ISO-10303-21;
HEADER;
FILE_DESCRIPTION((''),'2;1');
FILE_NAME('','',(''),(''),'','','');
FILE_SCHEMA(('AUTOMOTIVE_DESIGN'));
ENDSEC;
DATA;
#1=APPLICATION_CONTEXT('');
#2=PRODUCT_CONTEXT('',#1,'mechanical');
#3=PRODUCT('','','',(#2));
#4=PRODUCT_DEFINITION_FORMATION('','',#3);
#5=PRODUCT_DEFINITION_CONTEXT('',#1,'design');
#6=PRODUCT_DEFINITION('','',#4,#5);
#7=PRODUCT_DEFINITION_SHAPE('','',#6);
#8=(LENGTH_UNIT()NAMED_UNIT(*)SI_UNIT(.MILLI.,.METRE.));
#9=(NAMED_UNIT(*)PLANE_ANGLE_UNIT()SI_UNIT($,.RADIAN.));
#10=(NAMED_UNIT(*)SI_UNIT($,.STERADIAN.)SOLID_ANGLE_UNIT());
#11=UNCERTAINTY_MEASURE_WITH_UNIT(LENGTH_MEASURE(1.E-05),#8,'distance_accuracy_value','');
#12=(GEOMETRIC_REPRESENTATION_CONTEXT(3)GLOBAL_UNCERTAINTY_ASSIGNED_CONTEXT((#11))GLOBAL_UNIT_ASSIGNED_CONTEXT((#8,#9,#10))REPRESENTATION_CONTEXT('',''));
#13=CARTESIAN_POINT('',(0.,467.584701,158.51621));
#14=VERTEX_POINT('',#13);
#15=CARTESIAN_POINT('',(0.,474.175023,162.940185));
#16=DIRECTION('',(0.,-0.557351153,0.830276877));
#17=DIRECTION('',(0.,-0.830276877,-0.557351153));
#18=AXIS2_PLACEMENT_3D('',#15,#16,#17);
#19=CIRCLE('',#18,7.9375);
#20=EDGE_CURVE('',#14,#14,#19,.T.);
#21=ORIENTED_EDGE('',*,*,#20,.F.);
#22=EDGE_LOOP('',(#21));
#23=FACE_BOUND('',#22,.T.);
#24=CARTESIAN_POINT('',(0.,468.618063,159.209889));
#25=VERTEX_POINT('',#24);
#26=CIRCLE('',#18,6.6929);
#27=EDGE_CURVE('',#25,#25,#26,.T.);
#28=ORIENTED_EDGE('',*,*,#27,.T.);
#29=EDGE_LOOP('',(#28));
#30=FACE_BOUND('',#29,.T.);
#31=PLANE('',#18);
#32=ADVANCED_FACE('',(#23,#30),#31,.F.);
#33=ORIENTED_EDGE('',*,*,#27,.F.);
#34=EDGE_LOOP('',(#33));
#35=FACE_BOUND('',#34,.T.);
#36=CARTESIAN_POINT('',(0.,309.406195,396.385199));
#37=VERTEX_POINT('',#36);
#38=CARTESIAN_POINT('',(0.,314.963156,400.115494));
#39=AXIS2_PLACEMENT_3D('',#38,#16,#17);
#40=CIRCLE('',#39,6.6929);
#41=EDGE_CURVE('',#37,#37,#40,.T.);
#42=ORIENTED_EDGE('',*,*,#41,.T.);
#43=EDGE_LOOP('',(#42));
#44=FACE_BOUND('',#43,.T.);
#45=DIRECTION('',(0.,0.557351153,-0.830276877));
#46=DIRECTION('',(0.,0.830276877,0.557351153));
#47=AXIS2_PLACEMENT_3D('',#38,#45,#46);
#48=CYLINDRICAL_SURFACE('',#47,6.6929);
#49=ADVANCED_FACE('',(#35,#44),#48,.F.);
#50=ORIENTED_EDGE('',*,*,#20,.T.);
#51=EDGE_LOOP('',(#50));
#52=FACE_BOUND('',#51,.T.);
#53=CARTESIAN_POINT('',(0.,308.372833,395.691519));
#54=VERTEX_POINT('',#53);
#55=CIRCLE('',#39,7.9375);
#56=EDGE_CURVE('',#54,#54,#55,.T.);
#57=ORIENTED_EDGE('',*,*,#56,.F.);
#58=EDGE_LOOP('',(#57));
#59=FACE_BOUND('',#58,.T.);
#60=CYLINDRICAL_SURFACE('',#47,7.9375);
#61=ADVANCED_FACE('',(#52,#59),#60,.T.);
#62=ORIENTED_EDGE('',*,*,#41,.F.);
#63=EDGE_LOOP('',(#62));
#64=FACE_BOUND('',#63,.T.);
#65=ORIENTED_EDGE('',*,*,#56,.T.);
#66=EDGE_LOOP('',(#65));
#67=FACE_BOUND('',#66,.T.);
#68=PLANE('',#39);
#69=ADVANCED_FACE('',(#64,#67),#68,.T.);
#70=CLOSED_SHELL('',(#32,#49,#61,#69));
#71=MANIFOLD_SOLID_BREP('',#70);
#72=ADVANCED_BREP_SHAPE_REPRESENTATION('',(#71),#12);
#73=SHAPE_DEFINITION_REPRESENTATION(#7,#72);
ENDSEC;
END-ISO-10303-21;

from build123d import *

# Parameters (mm, degrees)
SKETCH1_R                                   = 7.9375
SKETCH1_R_2                                 = 6.6929
ALROUNDTUBING_0_625_OD_X_0_049_WALL_1_DEPTH = 285.658093172


with BuildPart() as part:
    # Sketch1 → Alroundtubing 0.625 OD X 0.049 WALL(1) (new body)
    with BuildSketch(Plane(origin=(0, 474.17502327, 162.940184806), x_dir=(1, 0, 0), z_dir=(0, -0.5573511534959088, 0.8302768765278122))):
        Circle(SKETCH1_R)
        Circle(SKETCH1_R_2, mode=Mode.SUBTRACT)
    extrude(amount=ALROUNDTUBING_0_625_OD_X_0_049_WALL_1_DEPTH)


solid = part.part
